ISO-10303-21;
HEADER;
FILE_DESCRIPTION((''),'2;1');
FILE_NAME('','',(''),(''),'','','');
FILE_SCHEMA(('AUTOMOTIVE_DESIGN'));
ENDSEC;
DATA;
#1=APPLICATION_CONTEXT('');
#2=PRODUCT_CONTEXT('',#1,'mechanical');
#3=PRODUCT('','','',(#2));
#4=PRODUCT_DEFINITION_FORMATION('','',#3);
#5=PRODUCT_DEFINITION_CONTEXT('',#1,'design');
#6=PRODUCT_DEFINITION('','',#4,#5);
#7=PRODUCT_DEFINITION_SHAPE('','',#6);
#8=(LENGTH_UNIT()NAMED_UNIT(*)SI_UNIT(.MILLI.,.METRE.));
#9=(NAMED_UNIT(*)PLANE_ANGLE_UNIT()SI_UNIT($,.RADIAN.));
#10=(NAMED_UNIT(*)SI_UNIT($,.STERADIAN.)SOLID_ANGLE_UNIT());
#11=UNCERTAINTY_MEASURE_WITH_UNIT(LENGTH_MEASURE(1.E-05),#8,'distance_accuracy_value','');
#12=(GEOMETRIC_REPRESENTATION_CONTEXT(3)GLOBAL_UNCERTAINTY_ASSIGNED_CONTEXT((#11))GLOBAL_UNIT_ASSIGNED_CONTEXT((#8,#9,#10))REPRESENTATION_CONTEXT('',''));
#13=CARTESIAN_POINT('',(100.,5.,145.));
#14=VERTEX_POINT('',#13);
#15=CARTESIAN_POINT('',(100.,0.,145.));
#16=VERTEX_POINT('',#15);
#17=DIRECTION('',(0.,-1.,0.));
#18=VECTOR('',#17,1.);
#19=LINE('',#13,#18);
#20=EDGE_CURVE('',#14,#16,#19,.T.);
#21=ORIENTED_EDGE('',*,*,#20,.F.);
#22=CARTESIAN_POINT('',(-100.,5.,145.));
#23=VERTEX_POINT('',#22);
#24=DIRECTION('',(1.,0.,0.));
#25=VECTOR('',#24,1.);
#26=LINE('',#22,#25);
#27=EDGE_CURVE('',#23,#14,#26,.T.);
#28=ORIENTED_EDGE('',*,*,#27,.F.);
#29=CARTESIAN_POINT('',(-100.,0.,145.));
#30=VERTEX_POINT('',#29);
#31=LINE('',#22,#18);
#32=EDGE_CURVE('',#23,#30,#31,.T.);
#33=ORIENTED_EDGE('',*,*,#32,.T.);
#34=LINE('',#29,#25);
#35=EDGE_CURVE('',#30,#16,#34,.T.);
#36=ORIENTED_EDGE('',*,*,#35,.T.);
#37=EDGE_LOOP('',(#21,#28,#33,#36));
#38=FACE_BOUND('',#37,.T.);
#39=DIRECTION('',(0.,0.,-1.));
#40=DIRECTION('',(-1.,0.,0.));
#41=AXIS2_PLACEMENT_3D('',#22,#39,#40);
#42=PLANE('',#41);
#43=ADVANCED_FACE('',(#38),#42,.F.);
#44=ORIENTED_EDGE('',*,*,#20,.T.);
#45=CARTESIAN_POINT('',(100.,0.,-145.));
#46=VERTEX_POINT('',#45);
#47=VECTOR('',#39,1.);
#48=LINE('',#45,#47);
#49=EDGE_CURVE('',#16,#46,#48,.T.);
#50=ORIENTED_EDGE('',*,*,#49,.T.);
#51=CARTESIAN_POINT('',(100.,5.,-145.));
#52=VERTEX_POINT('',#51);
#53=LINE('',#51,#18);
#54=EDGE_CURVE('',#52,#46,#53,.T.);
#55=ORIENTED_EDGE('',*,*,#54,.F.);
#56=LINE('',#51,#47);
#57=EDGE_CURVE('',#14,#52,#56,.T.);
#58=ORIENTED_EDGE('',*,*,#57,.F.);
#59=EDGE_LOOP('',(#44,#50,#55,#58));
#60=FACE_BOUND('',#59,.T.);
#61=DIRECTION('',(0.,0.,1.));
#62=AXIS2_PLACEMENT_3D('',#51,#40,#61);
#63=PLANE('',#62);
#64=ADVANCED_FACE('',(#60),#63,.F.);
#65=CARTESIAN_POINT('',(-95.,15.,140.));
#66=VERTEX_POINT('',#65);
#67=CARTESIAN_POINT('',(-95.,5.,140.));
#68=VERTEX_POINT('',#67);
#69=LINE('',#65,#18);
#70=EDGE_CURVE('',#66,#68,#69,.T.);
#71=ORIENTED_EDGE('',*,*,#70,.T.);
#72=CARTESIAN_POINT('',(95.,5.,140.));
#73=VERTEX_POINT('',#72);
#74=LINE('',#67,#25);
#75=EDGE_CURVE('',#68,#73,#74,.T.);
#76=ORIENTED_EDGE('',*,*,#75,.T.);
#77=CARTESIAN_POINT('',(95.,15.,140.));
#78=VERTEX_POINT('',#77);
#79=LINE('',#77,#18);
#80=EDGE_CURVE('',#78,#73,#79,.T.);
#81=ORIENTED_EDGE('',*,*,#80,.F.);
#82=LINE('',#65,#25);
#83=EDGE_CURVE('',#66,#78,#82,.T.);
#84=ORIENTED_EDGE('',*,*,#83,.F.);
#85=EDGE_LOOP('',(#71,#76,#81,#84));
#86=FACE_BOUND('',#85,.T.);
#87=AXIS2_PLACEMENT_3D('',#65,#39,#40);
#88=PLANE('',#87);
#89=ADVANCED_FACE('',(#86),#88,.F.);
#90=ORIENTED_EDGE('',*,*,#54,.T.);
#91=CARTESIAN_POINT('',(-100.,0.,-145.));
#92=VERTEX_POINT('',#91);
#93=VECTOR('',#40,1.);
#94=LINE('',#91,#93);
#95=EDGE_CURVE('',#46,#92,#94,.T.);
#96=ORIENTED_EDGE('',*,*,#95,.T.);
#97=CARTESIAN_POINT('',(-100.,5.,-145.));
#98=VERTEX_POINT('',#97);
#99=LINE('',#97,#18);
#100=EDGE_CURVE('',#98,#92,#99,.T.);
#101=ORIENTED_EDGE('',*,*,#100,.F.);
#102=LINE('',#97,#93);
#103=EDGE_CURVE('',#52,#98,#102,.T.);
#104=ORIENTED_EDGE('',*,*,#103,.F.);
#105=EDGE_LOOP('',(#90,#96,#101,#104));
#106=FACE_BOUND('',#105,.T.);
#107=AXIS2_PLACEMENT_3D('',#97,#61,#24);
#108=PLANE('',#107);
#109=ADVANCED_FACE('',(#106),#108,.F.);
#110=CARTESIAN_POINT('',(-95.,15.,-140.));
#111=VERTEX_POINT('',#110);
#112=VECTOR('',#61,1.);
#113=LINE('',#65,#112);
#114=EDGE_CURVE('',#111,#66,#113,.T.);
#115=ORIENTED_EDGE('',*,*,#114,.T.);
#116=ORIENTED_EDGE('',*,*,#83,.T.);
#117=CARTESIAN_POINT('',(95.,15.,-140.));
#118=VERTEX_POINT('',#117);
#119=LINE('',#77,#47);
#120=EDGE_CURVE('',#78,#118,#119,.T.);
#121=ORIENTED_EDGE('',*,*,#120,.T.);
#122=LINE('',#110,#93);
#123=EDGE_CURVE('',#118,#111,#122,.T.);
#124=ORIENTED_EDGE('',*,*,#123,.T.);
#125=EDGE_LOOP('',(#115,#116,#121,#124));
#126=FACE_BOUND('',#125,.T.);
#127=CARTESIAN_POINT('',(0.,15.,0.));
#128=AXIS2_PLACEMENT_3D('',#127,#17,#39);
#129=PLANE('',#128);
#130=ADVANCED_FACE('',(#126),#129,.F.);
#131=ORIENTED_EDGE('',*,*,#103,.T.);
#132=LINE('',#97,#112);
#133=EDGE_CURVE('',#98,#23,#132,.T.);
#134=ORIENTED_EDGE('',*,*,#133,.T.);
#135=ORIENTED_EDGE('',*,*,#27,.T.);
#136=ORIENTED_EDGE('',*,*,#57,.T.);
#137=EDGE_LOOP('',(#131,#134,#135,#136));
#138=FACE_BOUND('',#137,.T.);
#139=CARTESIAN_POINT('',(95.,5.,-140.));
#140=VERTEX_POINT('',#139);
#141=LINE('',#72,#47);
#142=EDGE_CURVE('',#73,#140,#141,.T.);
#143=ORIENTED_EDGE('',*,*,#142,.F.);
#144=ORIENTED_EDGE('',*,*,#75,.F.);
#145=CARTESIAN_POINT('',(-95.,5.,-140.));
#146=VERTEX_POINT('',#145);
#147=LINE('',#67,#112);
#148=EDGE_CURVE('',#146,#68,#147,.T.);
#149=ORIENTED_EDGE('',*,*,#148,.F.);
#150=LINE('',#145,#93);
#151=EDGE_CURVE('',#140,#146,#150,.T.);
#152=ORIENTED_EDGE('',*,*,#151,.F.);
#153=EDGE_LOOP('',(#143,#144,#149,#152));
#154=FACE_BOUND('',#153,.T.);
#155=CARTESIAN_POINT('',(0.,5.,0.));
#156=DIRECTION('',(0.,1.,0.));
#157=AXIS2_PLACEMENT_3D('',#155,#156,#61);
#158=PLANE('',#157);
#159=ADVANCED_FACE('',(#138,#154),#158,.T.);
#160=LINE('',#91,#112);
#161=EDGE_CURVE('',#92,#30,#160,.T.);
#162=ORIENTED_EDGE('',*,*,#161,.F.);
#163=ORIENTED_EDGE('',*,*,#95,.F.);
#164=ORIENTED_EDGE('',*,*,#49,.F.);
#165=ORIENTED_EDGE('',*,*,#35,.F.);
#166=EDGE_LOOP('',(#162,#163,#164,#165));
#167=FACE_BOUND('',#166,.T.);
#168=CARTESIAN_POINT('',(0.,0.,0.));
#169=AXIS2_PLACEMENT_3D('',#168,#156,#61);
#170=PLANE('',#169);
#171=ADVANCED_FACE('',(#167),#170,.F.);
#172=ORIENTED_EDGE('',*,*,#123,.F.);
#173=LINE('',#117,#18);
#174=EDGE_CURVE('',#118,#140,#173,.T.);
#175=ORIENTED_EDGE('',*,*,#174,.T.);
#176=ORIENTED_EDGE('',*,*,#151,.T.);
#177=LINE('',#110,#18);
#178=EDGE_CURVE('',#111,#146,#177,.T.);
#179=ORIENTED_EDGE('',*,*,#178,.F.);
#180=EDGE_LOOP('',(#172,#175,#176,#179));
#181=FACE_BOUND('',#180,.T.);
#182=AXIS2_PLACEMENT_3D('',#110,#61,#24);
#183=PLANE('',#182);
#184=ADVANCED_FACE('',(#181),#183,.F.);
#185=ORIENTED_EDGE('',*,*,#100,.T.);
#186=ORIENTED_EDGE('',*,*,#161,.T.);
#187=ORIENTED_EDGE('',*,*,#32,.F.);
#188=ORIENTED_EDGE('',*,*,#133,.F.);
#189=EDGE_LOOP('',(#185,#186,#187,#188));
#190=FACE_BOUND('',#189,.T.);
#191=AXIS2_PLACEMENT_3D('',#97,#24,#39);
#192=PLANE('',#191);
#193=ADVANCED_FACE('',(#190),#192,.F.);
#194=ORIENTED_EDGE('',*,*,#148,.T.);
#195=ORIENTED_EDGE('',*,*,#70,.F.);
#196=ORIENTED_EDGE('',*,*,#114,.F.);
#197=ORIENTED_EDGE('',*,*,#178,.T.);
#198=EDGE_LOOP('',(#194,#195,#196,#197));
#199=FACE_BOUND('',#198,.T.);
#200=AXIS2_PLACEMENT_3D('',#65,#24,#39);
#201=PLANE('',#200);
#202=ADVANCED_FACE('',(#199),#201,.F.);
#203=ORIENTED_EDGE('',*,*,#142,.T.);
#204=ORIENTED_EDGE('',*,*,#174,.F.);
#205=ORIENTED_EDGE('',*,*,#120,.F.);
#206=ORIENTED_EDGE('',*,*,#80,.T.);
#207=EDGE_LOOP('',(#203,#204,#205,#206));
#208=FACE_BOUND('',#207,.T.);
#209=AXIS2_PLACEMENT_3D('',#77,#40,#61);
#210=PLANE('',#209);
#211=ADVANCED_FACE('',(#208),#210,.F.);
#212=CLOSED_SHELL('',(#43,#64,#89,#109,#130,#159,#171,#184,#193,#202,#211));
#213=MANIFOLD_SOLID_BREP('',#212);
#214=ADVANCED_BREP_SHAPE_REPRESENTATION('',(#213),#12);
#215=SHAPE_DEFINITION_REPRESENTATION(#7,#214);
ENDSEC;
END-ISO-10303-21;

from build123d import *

# Parameters (mm, degrees)
SKETCH2_W           = 200
SKETCH2_H           = 290
BOSS_EXTRUDE1_DEPTH = 5
SKETCH3_W           = 190
SKETCH3_H           = 280
BOSS_EXTRUDE2_DEPTH = 10


with BuildPart() as part:
    # Sketch2 → Boss-Extrude1 (new body)
    with BuildSketch(Plane(origin=(0, 0, 0), x_dir=(1, 0, 0), z_dir=(0, 1, 0))):
        Rectangle(SKETCH2_W, SKETCH2_H)
    extrude(amount=BOSS_EXTRUDE1_DEPTH)

    # Sketch3 → Boss-Extrude2 (add)
    with BuildSketch(Plane(origin=(0, 5, 0), x_dir=(1, 0, 0), z_dir=(0, 1, 0))):
        Rectangle(SKETCH3_W, SKETCH3_H)
    extrude(amount=BOSS_EXTRUDE2_DEPTH)


solid = part.part
